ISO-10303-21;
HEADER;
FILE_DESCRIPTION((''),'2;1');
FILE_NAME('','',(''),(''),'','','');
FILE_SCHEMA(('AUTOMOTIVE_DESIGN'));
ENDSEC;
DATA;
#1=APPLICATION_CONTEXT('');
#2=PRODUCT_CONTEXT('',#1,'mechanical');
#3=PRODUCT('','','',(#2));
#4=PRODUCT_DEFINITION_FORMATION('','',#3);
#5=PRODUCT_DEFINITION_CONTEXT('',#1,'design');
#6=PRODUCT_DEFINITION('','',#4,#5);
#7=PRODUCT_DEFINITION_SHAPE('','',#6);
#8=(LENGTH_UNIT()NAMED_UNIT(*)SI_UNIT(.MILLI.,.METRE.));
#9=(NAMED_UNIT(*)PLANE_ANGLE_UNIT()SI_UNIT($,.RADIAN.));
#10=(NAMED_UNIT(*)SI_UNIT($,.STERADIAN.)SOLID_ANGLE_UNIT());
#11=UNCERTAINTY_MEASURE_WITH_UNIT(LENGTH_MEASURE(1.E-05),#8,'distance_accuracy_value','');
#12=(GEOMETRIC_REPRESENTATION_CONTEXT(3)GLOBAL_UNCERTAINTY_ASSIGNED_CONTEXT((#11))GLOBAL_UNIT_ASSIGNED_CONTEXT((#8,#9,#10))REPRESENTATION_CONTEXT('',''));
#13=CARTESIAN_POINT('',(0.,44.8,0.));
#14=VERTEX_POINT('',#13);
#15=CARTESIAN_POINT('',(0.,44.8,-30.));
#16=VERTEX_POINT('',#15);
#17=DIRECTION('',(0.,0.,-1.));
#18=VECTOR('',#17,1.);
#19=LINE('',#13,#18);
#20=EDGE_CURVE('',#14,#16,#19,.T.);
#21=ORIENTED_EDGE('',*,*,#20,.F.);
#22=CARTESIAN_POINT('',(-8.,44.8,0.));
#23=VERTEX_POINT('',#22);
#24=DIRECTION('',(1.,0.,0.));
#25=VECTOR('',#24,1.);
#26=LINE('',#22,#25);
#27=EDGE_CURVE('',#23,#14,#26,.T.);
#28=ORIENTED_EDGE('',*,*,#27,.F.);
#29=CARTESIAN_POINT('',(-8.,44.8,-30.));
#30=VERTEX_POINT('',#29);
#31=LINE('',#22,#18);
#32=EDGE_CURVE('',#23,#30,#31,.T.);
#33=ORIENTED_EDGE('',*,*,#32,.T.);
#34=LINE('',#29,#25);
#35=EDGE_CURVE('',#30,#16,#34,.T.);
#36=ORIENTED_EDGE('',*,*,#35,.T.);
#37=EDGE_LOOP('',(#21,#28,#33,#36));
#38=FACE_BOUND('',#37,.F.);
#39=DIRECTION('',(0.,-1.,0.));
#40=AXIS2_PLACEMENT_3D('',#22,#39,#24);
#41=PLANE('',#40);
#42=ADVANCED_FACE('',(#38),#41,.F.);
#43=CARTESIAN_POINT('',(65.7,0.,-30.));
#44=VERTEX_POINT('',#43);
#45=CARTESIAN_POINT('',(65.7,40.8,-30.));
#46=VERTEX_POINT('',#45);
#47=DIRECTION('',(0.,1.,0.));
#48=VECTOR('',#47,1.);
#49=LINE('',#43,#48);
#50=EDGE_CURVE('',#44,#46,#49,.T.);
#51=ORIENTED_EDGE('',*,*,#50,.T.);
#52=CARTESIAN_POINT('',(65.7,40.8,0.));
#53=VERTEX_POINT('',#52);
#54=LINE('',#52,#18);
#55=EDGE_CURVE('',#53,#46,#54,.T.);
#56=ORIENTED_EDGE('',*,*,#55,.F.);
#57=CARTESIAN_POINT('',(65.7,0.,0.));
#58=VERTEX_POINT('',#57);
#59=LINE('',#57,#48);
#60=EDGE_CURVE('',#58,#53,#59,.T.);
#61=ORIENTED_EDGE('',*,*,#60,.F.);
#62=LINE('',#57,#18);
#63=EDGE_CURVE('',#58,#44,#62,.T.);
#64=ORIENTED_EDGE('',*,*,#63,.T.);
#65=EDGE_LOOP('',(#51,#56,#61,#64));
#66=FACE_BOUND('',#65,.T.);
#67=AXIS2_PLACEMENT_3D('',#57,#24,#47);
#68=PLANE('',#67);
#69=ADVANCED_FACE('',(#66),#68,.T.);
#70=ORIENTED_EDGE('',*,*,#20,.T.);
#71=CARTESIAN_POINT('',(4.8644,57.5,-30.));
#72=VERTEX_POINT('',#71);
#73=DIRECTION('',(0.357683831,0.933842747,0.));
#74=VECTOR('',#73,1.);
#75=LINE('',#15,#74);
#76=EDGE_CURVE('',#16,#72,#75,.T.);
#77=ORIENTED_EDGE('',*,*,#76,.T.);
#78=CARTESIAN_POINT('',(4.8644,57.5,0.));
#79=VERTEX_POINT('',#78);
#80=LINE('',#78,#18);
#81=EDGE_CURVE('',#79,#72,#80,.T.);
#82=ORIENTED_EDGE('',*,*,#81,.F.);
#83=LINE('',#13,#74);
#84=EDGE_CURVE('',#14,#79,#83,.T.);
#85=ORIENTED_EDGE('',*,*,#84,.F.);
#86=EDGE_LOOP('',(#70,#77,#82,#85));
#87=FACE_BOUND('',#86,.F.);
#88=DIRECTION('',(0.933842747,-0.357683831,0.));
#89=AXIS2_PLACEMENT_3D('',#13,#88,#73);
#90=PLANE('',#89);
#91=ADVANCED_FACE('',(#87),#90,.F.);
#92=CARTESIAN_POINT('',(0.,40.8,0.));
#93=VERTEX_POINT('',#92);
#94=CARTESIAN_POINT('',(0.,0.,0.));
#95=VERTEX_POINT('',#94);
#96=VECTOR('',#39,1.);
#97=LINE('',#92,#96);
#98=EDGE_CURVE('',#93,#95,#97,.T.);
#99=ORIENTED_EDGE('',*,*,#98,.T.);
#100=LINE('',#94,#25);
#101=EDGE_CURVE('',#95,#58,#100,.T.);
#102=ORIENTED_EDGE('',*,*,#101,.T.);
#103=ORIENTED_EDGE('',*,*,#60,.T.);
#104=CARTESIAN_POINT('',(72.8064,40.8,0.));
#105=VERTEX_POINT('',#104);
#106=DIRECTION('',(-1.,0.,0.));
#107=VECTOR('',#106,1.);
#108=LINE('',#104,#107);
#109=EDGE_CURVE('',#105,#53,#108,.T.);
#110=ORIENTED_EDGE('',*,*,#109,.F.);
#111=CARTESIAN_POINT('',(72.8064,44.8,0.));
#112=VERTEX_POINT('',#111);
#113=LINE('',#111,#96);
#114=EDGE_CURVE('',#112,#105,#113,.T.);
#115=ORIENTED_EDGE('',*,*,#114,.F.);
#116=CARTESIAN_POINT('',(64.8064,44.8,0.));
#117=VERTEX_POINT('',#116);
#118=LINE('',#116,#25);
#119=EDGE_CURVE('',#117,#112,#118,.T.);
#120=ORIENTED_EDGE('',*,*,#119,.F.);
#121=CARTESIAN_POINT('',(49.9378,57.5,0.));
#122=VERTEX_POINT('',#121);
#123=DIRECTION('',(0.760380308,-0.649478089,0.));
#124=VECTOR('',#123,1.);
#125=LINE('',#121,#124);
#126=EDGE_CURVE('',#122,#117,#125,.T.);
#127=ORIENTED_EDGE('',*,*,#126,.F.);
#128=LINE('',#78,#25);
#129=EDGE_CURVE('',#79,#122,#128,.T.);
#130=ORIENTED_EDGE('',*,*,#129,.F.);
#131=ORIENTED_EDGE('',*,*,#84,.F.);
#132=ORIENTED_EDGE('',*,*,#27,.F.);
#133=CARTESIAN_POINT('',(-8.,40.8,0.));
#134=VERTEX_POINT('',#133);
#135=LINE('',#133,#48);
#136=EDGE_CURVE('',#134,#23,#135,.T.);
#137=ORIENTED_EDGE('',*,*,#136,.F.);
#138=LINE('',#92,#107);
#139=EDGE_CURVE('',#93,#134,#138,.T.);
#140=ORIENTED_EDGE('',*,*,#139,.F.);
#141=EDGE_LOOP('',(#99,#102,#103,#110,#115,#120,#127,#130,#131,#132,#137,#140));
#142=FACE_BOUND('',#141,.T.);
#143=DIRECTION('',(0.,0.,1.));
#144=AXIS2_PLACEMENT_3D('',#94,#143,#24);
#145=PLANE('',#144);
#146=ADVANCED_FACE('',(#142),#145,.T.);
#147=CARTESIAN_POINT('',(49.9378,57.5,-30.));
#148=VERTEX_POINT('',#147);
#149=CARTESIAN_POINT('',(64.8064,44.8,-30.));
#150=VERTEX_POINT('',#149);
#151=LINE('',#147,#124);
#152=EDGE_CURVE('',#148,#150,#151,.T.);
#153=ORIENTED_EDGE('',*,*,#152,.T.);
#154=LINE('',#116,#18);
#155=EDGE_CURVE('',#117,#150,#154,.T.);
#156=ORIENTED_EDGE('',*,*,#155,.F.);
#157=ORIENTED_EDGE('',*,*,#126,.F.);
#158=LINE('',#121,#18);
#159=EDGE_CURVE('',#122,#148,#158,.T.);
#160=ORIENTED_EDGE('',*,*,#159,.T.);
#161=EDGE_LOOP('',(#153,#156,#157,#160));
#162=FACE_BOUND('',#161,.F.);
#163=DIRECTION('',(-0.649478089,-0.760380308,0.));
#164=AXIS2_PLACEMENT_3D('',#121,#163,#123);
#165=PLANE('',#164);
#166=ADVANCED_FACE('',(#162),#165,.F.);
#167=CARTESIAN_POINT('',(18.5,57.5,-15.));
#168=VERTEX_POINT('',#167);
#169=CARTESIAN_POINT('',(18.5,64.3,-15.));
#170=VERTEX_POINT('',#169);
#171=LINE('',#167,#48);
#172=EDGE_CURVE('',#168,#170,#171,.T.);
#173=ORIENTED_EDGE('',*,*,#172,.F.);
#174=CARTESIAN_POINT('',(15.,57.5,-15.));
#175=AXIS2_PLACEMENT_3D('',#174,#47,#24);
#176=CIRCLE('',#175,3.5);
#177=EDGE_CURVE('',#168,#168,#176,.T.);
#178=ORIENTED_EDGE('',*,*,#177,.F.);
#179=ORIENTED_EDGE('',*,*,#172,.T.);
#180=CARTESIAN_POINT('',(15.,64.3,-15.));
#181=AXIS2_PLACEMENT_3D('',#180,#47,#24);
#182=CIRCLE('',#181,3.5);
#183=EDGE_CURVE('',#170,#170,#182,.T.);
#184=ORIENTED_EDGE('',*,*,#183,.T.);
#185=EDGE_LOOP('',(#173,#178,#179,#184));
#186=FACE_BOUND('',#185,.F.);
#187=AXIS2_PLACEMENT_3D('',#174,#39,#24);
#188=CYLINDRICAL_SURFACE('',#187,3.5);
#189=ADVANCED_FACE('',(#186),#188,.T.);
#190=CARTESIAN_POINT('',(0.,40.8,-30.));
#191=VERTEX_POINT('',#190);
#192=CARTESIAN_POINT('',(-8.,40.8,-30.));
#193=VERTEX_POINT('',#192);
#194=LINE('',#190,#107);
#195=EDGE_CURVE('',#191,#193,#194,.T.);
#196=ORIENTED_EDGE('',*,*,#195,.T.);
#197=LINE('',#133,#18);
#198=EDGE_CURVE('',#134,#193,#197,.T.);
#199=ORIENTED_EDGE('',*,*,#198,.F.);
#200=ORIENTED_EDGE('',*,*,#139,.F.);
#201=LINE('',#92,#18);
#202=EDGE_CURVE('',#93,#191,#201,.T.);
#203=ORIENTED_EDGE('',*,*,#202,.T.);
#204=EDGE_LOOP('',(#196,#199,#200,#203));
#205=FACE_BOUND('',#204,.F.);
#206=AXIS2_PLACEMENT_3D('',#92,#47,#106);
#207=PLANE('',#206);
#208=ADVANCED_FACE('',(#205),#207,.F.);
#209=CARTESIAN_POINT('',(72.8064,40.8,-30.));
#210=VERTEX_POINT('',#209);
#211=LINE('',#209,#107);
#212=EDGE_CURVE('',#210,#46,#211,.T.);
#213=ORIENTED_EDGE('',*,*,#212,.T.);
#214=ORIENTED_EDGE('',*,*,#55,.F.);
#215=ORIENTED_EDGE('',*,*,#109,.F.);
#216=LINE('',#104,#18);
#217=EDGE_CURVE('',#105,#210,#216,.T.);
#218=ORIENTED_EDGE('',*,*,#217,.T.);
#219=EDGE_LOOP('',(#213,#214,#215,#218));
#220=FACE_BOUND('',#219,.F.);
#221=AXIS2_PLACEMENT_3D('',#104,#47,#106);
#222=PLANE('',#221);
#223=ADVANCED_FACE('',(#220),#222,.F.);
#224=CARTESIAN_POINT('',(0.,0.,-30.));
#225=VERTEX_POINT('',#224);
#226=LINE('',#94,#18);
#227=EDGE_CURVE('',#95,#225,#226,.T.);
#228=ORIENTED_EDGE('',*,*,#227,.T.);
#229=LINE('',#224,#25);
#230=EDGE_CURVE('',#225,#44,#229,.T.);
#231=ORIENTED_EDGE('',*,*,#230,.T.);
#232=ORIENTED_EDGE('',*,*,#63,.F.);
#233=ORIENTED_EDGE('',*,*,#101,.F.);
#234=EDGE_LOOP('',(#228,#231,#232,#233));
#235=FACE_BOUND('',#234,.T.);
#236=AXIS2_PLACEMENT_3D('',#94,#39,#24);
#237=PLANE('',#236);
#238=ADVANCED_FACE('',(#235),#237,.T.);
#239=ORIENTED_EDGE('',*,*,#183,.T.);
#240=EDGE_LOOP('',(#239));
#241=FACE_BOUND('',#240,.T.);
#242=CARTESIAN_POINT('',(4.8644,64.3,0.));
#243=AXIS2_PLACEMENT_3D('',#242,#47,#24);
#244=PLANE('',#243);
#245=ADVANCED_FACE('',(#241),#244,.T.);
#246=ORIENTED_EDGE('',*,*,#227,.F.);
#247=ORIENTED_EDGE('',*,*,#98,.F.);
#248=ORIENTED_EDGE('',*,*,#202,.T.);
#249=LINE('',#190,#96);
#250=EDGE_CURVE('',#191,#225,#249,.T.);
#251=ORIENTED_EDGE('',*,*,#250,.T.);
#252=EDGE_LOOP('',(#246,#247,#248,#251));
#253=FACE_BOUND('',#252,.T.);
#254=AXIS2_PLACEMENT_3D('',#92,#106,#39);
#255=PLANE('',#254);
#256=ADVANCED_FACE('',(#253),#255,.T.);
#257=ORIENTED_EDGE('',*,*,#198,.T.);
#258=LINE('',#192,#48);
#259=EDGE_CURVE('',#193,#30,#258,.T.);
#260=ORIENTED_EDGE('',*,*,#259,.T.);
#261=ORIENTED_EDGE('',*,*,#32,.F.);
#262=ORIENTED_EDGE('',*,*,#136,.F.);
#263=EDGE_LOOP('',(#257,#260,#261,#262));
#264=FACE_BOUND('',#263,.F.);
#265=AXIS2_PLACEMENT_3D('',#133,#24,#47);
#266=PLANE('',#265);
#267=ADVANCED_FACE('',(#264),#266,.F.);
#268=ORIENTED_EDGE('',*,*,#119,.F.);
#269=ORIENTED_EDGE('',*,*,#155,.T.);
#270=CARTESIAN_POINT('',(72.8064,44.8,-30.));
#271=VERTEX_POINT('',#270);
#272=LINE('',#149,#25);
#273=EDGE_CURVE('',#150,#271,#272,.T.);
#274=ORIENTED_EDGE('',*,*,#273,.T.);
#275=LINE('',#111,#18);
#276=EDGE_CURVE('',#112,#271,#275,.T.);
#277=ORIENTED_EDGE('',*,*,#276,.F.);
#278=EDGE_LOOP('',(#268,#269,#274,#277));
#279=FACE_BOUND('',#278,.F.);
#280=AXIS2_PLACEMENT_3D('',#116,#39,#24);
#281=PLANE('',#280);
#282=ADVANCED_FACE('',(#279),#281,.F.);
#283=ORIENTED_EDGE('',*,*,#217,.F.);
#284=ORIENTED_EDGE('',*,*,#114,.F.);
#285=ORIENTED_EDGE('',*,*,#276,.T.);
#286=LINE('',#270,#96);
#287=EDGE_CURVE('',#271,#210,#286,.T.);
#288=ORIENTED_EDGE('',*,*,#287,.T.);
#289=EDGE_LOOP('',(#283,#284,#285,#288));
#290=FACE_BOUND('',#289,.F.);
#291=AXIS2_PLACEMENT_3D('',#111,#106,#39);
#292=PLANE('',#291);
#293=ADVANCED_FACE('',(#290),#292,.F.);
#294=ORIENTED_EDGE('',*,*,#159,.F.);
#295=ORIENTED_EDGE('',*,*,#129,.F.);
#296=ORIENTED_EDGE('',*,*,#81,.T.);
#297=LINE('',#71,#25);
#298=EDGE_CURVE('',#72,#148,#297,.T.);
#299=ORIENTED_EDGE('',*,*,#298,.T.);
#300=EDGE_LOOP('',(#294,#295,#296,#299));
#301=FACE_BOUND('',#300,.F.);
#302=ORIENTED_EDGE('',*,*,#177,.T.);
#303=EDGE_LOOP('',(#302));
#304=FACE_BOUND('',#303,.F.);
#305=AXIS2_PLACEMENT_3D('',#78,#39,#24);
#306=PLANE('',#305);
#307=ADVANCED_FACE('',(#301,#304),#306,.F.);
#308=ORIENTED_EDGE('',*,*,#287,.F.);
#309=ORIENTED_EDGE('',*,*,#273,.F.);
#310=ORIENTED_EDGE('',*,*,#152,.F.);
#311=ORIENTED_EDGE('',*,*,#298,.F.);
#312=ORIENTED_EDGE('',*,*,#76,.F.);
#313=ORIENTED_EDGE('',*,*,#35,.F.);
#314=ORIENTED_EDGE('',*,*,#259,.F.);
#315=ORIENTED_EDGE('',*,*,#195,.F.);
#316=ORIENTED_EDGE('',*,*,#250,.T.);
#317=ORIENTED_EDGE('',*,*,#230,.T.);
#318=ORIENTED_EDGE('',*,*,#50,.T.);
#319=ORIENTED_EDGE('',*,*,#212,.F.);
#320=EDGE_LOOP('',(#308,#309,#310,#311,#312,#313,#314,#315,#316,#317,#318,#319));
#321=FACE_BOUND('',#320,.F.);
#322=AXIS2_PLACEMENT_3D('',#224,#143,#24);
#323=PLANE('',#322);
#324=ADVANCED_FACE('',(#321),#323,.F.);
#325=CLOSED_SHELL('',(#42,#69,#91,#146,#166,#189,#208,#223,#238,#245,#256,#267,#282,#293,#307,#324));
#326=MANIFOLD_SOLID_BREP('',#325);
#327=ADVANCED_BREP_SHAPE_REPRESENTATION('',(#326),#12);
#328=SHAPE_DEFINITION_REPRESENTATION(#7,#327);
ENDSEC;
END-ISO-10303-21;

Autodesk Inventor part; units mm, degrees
ref_plane "YZ Plane" through (0, 0, 0) normal (1, 0, 0) x (0, 1, 0)
ref_plane "XZ Plane" through (0, 0, 0) normal (0, 1, 0) x (-1, 0, 0)
ref_plane "XY Plane" through (0, 0, 0) normal (0, 0, 1) x (1, 0, 0)
sketch "Sketch1" plane through (0, 0, 0) normal (0, 0, 1) x (1, 0, 0)
  line L0 (0, 0) -> (65.7, 0)
  line L1 (65.7, 0) -> (65.7, 40.8)
  line L2 (0, 40.8) -> (0, 0)
  line L3 (0, 40.8) -> (-8, 40.8)
  line L4 (-8, 40.8) -> (-8, 44.8)
  line L5 (-8, 44.8) -> (0, 44.8)
  line L6 (0, 44.8) -> (4.8644, 57.5)
  line L7 (4.8644, 57.5) -> (49.9378, 57.5)
  line L8 (49.9378, 57.5) -> (64.8064, 44.8)
  line L9 (64.8064, 44.8) -> (72.8064, 44.8)
  line L10 (72.8064, 44.8) -> (72.8064, 40.8)
  line L11 (72.8064, 40.8) -> (65.7, 40.8)
  dimension "d0" = 65.7
  dimension "d1" = 40.8
  dimension "d2" = 4
  dimension "d9" = 57.5
  dimension "d13" = 8
  dimension "d14" = 8
extrude "Extrusion1" add sketch "Sketch1" against normal blind 30
sketch "Sketch2" plane through (4.8644, 57.5, 0) normal (0, 1, 0) x (1, 0, 0)
  circle A0 centre (10.1356, 15) radius 3.5
  line L0 (-12.8644, 30) -> (-4.8644, 30) projected
  point P0 (-4.8644, 0)
  dimension "d5" = 7
  dimension "d6" = 15
  dimension "d7" = 15
extrude "Extrusion2" add sketch "Sketch2" along normal blind 6.8
properties part number "servospt70"
